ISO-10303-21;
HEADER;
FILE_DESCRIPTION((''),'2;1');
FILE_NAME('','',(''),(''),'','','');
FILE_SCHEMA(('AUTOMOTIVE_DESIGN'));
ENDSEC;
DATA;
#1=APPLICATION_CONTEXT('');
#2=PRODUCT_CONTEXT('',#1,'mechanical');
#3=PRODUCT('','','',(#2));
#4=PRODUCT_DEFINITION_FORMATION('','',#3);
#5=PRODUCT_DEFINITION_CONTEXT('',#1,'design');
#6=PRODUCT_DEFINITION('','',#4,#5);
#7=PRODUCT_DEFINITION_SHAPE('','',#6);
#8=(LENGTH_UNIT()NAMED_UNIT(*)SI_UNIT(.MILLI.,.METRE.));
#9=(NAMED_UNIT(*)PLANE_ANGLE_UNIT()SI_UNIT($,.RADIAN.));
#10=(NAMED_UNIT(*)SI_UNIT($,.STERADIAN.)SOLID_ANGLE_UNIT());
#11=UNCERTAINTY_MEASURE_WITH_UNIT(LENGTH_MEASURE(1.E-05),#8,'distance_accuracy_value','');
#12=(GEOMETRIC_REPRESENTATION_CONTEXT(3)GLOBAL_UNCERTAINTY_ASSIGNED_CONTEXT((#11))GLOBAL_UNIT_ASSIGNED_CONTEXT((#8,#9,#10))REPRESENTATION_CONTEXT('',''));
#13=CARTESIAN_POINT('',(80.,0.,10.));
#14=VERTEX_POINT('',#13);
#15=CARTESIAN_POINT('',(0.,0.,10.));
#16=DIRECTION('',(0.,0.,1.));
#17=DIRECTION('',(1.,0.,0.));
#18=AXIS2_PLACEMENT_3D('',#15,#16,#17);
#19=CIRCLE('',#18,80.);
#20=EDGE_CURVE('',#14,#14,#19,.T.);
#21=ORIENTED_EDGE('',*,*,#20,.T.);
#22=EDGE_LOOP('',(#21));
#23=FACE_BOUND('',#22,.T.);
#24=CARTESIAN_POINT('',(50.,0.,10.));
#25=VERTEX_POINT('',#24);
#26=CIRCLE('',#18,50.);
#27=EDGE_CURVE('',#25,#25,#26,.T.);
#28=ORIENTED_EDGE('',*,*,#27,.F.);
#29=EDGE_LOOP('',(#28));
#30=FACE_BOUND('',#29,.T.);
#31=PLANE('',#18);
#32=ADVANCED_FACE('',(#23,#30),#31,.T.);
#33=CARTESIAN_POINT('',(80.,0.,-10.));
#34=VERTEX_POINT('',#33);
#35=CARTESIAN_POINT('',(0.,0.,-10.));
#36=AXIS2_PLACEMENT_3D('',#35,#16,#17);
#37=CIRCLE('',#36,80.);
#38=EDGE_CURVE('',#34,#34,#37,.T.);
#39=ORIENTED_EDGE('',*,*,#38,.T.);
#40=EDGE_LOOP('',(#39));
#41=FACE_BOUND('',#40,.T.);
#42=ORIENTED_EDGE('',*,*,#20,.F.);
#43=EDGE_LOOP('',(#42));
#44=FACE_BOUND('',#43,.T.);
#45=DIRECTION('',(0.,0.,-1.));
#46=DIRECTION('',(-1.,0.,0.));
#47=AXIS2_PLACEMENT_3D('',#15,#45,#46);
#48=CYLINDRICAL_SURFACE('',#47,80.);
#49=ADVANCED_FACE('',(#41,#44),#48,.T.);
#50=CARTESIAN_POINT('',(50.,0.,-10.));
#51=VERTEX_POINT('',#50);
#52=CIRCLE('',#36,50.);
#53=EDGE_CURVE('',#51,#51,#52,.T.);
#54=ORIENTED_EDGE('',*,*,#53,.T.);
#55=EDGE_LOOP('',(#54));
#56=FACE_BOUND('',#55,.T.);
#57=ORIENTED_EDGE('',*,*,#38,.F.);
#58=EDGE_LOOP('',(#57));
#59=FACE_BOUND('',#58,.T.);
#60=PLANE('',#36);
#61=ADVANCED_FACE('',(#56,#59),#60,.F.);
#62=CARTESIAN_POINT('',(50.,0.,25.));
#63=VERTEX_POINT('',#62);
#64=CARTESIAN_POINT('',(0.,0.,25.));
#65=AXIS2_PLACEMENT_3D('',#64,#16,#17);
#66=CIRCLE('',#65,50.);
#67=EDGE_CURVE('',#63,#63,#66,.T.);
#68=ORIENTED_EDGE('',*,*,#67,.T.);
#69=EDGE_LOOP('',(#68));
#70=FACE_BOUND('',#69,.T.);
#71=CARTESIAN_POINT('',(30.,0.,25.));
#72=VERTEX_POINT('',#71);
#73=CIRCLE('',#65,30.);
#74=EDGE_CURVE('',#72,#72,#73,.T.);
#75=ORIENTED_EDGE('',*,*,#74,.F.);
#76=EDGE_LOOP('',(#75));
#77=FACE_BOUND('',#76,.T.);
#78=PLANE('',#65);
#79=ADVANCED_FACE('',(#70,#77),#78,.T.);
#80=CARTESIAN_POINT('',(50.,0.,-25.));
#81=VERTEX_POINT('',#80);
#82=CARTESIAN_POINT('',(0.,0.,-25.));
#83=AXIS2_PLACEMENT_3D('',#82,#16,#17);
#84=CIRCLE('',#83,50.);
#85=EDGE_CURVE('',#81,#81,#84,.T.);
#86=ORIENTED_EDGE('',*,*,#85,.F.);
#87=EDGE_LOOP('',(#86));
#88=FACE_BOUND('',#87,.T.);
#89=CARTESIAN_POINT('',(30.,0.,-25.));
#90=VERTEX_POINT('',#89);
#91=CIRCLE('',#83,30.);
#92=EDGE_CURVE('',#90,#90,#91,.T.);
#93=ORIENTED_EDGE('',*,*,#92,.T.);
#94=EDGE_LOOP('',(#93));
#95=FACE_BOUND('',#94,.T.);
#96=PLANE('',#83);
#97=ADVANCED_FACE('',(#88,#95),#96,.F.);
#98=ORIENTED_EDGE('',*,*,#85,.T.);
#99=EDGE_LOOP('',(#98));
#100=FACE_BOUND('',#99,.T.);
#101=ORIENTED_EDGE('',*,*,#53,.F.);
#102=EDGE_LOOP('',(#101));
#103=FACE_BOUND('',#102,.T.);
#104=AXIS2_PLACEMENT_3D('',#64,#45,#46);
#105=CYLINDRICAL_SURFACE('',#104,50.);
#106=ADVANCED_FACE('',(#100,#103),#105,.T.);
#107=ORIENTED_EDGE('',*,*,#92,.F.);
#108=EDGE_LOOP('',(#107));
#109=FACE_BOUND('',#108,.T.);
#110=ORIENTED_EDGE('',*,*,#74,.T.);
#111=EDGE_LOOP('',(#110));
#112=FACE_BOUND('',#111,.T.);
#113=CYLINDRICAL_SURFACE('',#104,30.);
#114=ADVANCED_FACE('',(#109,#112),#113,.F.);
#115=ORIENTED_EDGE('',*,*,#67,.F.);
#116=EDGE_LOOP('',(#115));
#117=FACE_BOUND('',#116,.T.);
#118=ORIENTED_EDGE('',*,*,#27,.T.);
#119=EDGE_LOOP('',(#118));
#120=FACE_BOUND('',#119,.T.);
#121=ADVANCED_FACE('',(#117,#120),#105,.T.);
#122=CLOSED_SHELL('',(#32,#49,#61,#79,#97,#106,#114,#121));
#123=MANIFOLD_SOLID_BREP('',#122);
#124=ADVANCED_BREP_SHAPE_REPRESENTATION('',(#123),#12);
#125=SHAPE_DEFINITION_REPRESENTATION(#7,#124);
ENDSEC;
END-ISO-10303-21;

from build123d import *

# Parameters (mm, degrees)
SKETCH_1_R      = 50
SKETCH_1_R_2    = 30
EXTRUDE_1_DEPTH = 25
SKETCH_2_R      = 80
SKETCH_2_R_2    = 50
EXTRUDE_2_DEPTH = 10


with BuildPart() as part:
    # 草图1 → 凸台-拉伸1 (new body, symmetric)
    with BuildSketch(Plane.XY):
        Circle(SKETCH_1_R)
        Circle(SKETCH_1_R_2, mode=Mode.SUBTRACT)
    extrude(amount=EXTRUDE_1_DEPTH, both=True)

    # 草图2 → 凸台-拉伸2 (add, symmetric)
    with BuildSketch(Plane.XY):
        Circle(SKETCH_2_R)
        Circle(SKETCH_2_R_2, mode=Mode.SUBTRACT)
    extrude(amount=EXTRUDE_2_DEPTH, both=True)


solid = part.part
